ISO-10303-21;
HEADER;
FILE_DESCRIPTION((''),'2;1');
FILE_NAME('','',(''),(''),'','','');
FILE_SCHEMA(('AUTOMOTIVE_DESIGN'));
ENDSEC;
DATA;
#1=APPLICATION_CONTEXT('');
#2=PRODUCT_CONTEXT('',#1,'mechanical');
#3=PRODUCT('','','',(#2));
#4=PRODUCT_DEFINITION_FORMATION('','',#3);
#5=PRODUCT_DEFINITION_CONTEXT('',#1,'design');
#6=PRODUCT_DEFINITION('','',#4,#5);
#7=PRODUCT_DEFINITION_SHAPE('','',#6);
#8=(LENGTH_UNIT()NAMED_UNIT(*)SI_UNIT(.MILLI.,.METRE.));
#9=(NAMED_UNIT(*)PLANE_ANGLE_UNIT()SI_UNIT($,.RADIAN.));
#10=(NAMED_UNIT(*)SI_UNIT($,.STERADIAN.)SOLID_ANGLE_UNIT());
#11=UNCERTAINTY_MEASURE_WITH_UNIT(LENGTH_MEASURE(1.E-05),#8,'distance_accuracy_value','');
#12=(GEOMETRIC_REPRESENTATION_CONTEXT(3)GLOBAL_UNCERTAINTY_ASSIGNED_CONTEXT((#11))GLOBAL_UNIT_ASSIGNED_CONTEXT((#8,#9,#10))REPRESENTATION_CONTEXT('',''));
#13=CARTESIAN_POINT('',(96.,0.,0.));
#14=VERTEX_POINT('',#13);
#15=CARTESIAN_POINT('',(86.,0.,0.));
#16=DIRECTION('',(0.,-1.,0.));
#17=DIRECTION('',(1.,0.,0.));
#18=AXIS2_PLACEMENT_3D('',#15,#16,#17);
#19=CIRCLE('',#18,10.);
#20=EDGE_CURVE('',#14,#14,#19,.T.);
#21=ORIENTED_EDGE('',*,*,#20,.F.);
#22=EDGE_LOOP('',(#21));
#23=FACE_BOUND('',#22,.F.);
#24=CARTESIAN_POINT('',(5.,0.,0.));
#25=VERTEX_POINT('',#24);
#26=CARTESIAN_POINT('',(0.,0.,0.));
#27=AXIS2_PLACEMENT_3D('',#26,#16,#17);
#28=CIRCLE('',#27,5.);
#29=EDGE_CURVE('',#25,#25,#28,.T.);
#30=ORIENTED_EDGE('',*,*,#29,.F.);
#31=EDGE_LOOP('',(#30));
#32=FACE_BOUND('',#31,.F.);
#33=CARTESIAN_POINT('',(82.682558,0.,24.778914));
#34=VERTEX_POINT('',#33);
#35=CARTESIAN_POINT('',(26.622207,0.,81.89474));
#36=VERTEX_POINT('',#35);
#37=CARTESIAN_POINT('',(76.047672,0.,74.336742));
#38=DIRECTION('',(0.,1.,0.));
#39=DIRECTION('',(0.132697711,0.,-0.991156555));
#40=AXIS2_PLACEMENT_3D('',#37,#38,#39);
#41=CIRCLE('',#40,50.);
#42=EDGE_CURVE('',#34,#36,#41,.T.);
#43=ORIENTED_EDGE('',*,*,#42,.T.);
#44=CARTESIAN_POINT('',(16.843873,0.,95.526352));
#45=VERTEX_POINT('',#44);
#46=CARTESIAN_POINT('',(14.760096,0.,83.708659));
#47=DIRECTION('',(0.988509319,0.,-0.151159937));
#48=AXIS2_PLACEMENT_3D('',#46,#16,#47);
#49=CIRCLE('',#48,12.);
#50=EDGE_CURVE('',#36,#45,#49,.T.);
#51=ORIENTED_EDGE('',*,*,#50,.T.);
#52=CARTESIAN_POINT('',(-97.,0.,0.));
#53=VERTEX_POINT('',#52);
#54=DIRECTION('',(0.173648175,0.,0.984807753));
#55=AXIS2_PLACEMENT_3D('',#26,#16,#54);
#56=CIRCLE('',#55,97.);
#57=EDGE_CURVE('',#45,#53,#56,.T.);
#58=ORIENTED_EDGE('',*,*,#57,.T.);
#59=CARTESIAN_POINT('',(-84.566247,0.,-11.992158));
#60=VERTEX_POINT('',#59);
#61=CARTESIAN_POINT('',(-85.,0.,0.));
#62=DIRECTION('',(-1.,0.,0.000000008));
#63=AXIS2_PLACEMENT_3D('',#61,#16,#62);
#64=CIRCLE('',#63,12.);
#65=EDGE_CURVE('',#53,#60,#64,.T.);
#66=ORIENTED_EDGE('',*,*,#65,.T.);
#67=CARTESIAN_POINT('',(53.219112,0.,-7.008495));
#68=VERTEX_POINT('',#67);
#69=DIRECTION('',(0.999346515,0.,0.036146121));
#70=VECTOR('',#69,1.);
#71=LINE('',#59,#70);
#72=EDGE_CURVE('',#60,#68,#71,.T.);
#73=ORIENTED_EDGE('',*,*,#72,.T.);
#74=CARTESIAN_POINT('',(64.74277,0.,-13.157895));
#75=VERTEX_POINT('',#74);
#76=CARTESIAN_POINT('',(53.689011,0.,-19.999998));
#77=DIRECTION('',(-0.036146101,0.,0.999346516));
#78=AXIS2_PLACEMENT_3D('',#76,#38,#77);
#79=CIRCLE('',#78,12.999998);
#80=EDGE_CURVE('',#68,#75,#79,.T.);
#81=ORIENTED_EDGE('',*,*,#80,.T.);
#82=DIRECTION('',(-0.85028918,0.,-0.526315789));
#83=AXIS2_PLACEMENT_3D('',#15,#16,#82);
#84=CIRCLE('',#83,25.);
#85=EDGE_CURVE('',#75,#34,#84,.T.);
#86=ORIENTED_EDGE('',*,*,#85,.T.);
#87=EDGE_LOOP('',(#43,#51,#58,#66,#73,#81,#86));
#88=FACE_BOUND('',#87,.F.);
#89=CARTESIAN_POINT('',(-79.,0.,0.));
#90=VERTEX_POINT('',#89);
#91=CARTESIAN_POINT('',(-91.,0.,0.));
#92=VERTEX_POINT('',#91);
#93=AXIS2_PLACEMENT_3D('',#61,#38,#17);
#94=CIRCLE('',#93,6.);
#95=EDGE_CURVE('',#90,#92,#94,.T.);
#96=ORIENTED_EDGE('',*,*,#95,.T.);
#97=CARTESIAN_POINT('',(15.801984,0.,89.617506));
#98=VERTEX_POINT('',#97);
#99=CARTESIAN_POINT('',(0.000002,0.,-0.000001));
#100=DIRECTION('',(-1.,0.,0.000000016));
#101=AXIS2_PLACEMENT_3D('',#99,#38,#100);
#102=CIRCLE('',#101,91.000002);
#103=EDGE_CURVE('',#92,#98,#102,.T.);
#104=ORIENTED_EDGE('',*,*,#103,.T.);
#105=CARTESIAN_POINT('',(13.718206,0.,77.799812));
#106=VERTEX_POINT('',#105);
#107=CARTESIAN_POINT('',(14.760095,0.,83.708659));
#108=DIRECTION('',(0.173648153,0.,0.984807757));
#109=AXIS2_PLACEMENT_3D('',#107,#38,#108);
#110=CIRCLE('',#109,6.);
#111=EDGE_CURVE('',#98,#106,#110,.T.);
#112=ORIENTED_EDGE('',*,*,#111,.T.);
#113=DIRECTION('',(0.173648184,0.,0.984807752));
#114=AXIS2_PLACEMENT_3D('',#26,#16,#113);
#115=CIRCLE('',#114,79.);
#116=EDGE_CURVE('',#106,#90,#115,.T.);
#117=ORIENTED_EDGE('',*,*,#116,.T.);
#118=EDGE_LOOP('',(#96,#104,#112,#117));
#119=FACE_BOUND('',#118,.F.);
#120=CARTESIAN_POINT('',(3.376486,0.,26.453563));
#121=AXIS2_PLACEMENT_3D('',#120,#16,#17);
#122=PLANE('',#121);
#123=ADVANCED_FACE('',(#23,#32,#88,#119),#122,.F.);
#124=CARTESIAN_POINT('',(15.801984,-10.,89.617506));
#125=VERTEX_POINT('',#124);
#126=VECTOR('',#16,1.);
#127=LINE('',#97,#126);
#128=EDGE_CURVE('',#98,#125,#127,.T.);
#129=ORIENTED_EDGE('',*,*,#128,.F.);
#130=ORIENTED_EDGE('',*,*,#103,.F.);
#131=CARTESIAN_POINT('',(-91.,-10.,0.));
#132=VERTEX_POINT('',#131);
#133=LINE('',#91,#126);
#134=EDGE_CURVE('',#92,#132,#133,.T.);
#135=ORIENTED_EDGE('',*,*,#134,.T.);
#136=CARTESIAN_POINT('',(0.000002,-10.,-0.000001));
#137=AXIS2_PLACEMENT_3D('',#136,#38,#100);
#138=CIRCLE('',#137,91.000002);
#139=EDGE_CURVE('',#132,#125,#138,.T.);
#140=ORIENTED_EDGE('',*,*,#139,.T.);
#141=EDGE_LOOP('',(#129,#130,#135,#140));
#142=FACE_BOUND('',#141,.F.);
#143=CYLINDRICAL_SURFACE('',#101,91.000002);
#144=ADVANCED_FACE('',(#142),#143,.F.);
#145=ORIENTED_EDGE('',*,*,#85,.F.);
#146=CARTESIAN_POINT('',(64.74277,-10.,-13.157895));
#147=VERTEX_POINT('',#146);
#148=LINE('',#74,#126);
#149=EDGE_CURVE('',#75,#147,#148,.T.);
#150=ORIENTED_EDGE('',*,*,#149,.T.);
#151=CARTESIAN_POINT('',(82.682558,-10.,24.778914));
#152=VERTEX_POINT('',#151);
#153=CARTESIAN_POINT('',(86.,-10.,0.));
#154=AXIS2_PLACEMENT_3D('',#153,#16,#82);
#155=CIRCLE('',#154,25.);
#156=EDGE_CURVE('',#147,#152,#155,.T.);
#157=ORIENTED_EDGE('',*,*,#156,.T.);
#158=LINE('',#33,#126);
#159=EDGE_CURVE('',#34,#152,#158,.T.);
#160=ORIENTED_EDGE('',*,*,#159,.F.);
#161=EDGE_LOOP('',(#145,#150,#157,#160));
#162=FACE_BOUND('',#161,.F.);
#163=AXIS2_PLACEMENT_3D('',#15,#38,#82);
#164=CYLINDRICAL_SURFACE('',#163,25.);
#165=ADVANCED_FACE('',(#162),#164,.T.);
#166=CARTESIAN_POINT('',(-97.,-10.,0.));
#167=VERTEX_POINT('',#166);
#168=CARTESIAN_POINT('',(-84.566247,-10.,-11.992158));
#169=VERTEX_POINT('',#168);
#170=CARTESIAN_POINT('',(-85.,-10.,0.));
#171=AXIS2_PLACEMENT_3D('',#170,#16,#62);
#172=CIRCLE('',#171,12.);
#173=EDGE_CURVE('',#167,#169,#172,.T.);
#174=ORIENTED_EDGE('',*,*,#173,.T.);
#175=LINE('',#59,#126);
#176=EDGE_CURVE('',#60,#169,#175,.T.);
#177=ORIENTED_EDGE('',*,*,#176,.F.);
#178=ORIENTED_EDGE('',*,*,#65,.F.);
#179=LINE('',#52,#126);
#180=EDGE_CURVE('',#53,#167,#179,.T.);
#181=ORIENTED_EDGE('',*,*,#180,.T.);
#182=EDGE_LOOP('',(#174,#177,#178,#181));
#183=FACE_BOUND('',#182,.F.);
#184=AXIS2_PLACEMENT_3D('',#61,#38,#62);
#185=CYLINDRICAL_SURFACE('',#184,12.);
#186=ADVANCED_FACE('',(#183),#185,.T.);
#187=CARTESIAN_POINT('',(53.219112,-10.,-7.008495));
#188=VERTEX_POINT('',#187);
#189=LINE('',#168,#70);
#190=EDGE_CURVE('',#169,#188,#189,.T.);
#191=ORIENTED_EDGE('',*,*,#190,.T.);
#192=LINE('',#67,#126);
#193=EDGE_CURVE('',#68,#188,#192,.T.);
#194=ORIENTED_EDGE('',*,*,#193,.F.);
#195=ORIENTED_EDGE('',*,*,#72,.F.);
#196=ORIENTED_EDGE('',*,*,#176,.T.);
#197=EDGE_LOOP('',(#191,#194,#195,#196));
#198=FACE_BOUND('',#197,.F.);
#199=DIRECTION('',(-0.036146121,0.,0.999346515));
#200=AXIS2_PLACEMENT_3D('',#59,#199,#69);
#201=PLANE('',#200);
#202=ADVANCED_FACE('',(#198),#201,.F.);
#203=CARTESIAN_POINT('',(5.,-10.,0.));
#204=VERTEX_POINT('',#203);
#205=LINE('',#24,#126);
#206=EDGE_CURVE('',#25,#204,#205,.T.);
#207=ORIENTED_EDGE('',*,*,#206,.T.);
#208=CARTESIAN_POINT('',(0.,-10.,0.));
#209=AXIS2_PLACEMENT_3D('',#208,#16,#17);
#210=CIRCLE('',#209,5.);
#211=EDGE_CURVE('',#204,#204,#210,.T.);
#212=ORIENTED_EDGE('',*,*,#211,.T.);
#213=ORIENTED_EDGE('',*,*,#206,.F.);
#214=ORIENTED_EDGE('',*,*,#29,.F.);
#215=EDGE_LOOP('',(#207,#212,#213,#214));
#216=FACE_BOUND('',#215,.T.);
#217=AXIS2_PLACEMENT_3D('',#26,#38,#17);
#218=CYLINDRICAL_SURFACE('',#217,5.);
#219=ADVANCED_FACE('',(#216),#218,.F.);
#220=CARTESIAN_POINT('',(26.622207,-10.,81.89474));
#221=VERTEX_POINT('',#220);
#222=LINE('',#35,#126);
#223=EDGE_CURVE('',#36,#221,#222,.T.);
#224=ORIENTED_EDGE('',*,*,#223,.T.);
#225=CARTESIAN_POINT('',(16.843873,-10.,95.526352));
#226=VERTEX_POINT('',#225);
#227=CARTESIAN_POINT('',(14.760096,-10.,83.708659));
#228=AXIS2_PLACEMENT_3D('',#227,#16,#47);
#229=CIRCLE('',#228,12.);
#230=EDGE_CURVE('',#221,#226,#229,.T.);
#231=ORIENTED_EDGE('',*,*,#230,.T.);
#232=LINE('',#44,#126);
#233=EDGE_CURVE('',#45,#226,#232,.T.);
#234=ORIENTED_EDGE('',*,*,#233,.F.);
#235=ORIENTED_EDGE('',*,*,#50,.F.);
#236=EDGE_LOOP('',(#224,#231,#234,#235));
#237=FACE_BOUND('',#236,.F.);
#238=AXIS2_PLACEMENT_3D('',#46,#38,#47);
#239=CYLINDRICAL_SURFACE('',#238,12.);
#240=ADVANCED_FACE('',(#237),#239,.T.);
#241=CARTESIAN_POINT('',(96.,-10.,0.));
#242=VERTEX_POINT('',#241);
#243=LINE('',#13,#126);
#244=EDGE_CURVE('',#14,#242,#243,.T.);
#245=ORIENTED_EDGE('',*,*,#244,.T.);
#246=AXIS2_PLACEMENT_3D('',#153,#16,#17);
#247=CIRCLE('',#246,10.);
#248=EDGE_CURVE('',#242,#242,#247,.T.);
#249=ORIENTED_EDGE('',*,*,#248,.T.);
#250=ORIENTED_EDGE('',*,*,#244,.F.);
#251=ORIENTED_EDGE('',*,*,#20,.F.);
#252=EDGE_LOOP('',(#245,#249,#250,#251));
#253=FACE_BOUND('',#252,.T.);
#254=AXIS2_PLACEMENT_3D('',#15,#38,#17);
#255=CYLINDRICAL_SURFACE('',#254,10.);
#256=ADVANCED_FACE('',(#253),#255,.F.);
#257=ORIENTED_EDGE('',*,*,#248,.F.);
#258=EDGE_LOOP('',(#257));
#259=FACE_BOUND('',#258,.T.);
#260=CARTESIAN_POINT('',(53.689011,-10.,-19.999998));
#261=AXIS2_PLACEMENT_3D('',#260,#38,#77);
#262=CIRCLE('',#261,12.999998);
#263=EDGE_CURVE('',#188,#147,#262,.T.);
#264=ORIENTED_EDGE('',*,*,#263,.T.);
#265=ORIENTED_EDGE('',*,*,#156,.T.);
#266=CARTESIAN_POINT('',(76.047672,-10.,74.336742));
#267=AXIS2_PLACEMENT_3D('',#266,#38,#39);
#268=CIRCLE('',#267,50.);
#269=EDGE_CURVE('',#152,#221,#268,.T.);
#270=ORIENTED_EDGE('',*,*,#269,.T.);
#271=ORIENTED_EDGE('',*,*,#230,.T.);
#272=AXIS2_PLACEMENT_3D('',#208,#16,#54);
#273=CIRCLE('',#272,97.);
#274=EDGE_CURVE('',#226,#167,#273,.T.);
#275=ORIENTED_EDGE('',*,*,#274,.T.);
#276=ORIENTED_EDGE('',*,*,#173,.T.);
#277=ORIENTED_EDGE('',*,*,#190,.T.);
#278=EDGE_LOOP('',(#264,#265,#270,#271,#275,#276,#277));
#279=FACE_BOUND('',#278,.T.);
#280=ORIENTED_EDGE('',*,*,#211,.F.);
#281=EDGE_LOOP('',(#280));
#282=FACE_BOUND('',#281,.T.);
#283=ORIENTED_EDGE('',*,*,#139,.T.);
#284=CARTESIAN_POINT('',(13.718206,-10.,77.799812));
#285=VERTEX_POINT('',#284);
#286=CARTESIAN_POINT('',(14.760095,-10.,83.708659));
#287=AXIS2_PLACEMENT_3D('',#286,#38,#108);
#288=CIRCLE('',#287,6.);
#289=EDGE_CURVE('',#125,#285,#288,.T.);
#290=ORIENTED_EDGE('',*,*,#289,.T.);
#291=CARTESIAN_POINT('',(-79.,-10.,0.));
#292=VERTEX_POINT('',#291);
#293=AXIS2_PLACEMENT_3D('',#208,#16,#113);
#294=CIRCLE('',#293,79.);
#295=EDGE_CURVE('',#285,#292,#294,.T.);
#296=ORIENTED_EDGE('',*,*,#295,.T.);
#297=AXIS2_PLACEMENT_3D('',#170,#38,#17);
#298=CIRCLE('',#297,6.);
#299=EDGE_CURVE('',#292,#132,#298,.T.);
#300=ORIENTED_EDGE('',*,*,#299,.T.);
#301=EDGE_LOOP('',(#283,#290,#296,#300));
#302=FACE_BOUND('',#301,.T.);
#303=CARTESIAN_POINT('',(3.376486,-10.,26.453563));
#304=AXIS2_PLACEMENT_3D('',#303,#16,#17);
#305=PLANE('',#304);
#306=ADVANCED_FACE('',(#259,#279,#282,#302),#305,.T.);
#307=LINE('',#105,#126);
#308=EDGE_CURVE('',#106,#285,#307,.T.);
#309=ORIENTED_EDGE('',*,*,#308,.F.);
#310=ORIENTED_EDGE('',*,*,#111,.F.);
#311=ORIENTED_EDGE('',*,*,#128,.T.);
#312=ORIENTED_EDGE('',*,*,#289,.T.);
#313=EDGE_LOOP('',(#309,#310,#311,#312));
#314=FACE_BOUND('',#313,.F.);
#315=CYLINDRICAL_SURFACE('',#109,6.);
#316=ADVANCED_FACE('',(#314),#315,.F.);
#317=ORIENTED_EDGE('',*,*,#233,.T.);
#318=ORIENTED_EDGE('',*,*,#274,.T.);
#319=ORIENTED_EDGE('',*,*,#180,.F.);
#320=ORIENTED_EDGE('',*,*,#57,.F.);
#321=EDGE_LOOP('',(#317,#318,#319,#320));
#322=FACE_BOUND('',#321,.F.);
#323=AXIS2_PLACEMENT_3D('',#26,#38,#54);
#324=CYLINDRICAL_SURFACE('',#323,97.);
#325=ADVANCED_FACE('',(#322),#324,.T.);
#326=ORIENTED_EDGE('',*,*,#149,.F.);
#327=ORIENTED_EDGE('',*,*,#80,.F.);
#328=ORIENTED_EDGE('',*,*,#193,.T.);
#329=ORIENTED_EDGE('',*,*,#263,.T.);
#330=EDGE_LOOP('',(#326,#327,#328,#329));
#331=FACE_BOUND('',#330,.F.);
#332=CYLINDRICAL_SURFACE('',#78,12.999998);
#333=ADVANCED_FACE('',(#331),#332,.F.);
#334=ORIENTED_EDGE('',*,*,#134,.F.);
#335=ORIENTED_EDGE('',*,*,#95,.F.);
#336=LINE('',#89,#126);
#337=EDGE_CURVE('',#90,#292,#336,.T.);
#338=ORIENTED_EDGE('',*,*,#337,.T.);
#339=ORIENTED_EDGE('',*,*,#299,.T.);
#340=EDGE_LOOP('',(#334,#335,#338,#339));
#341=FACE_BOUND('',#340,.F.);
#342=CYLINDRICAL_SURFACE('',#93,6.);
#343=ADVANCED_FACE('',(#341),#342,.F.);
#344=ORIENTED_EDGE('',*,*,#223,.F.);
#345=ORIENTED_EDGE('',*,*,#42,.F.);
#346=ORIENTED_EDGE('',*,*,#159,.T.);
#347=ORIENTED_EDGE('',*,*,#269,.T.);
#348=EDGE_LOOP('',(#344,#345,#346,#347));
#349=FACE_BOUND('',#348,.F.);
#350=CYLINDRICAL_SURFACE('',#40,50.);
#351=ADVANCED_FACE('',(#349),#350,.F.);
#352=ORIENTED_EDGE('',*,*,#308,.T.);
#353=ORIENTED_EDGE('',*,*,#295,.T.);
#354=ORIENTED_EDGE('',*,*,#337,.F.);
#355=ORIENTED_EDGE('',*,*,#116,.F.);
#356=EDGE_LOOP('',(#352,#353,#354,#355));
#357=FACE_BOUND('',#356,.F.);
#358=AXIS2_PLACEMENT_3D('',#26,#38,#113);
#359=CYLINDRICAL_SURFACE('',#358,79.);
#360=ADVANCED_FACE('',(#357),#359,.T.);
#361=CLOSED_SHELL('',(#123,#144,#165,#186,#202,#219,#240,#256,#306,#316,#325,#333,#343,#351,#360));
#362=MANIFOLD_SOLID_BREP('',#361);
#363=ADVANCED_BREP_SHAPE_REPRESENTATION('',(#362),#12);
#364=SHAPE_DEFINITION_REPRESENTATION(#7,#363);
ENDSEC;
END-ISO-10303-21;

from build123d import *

# Parameters (mm, degrees)
F0_R     = 5
F0_R_2   = 10
F1_DEPTH = 10


with BuildPart() as f1:
    # F0 (on Front) → F1 (new body)
    with BuildSketch(Plane.XZ):
        with BuildLine():
            ThreePointArc((26.622207, 81.89474), (24.510848, 90.703144), (16.843873, 95.526352))
            ThreePointArc((16.843873, 95.526352), (-62.350398, 74.306311), (-97, 0))
            ThreePointArc((-97, 0), (-93.330515, -8.637275), (-84.566247, -11.992158))
            Line((-84.566247, -11.992158), (53.219112, -7.008495))
            ThreePointArc((53.219112, -7.008495), (59.80933, -8.530837), (64.74277, -13.157895))
            ThreePointArc((64.74277, -13.157895), (108.60042, -10.687423), (82.682558, 24.778914))
            ThreePointArc((82.682558, 24.778914), (40.364163, 39.312648), (26.622207, 81.89474))
        make_face()
        Circle(F0_R, mode=Mode.SUBTRACT)
        with Locations((86, 0)):
            Circle(F0_R_2, mode=Mode.SUBTRACT)
        with BuildLine():
            ThreePointArc((13.718206, 77.799812), (-50.780221, 60.517511), (-79, 0))
            ThreePointArc((-79, 0), (-85, -6), (-91, 0))
            ThreePointArc((-91, 0), (-58.493672, 69.710044), (15.801984, 89.617506))
            ThreePointArc((15.801984, 89.617506), (20.668942, 82.66677), (13.718206, 77.799812))
        make_face(mode=Mode.SUBTRACT)
    extrude(amount=F1_DEPTH)


solid = f1.part
